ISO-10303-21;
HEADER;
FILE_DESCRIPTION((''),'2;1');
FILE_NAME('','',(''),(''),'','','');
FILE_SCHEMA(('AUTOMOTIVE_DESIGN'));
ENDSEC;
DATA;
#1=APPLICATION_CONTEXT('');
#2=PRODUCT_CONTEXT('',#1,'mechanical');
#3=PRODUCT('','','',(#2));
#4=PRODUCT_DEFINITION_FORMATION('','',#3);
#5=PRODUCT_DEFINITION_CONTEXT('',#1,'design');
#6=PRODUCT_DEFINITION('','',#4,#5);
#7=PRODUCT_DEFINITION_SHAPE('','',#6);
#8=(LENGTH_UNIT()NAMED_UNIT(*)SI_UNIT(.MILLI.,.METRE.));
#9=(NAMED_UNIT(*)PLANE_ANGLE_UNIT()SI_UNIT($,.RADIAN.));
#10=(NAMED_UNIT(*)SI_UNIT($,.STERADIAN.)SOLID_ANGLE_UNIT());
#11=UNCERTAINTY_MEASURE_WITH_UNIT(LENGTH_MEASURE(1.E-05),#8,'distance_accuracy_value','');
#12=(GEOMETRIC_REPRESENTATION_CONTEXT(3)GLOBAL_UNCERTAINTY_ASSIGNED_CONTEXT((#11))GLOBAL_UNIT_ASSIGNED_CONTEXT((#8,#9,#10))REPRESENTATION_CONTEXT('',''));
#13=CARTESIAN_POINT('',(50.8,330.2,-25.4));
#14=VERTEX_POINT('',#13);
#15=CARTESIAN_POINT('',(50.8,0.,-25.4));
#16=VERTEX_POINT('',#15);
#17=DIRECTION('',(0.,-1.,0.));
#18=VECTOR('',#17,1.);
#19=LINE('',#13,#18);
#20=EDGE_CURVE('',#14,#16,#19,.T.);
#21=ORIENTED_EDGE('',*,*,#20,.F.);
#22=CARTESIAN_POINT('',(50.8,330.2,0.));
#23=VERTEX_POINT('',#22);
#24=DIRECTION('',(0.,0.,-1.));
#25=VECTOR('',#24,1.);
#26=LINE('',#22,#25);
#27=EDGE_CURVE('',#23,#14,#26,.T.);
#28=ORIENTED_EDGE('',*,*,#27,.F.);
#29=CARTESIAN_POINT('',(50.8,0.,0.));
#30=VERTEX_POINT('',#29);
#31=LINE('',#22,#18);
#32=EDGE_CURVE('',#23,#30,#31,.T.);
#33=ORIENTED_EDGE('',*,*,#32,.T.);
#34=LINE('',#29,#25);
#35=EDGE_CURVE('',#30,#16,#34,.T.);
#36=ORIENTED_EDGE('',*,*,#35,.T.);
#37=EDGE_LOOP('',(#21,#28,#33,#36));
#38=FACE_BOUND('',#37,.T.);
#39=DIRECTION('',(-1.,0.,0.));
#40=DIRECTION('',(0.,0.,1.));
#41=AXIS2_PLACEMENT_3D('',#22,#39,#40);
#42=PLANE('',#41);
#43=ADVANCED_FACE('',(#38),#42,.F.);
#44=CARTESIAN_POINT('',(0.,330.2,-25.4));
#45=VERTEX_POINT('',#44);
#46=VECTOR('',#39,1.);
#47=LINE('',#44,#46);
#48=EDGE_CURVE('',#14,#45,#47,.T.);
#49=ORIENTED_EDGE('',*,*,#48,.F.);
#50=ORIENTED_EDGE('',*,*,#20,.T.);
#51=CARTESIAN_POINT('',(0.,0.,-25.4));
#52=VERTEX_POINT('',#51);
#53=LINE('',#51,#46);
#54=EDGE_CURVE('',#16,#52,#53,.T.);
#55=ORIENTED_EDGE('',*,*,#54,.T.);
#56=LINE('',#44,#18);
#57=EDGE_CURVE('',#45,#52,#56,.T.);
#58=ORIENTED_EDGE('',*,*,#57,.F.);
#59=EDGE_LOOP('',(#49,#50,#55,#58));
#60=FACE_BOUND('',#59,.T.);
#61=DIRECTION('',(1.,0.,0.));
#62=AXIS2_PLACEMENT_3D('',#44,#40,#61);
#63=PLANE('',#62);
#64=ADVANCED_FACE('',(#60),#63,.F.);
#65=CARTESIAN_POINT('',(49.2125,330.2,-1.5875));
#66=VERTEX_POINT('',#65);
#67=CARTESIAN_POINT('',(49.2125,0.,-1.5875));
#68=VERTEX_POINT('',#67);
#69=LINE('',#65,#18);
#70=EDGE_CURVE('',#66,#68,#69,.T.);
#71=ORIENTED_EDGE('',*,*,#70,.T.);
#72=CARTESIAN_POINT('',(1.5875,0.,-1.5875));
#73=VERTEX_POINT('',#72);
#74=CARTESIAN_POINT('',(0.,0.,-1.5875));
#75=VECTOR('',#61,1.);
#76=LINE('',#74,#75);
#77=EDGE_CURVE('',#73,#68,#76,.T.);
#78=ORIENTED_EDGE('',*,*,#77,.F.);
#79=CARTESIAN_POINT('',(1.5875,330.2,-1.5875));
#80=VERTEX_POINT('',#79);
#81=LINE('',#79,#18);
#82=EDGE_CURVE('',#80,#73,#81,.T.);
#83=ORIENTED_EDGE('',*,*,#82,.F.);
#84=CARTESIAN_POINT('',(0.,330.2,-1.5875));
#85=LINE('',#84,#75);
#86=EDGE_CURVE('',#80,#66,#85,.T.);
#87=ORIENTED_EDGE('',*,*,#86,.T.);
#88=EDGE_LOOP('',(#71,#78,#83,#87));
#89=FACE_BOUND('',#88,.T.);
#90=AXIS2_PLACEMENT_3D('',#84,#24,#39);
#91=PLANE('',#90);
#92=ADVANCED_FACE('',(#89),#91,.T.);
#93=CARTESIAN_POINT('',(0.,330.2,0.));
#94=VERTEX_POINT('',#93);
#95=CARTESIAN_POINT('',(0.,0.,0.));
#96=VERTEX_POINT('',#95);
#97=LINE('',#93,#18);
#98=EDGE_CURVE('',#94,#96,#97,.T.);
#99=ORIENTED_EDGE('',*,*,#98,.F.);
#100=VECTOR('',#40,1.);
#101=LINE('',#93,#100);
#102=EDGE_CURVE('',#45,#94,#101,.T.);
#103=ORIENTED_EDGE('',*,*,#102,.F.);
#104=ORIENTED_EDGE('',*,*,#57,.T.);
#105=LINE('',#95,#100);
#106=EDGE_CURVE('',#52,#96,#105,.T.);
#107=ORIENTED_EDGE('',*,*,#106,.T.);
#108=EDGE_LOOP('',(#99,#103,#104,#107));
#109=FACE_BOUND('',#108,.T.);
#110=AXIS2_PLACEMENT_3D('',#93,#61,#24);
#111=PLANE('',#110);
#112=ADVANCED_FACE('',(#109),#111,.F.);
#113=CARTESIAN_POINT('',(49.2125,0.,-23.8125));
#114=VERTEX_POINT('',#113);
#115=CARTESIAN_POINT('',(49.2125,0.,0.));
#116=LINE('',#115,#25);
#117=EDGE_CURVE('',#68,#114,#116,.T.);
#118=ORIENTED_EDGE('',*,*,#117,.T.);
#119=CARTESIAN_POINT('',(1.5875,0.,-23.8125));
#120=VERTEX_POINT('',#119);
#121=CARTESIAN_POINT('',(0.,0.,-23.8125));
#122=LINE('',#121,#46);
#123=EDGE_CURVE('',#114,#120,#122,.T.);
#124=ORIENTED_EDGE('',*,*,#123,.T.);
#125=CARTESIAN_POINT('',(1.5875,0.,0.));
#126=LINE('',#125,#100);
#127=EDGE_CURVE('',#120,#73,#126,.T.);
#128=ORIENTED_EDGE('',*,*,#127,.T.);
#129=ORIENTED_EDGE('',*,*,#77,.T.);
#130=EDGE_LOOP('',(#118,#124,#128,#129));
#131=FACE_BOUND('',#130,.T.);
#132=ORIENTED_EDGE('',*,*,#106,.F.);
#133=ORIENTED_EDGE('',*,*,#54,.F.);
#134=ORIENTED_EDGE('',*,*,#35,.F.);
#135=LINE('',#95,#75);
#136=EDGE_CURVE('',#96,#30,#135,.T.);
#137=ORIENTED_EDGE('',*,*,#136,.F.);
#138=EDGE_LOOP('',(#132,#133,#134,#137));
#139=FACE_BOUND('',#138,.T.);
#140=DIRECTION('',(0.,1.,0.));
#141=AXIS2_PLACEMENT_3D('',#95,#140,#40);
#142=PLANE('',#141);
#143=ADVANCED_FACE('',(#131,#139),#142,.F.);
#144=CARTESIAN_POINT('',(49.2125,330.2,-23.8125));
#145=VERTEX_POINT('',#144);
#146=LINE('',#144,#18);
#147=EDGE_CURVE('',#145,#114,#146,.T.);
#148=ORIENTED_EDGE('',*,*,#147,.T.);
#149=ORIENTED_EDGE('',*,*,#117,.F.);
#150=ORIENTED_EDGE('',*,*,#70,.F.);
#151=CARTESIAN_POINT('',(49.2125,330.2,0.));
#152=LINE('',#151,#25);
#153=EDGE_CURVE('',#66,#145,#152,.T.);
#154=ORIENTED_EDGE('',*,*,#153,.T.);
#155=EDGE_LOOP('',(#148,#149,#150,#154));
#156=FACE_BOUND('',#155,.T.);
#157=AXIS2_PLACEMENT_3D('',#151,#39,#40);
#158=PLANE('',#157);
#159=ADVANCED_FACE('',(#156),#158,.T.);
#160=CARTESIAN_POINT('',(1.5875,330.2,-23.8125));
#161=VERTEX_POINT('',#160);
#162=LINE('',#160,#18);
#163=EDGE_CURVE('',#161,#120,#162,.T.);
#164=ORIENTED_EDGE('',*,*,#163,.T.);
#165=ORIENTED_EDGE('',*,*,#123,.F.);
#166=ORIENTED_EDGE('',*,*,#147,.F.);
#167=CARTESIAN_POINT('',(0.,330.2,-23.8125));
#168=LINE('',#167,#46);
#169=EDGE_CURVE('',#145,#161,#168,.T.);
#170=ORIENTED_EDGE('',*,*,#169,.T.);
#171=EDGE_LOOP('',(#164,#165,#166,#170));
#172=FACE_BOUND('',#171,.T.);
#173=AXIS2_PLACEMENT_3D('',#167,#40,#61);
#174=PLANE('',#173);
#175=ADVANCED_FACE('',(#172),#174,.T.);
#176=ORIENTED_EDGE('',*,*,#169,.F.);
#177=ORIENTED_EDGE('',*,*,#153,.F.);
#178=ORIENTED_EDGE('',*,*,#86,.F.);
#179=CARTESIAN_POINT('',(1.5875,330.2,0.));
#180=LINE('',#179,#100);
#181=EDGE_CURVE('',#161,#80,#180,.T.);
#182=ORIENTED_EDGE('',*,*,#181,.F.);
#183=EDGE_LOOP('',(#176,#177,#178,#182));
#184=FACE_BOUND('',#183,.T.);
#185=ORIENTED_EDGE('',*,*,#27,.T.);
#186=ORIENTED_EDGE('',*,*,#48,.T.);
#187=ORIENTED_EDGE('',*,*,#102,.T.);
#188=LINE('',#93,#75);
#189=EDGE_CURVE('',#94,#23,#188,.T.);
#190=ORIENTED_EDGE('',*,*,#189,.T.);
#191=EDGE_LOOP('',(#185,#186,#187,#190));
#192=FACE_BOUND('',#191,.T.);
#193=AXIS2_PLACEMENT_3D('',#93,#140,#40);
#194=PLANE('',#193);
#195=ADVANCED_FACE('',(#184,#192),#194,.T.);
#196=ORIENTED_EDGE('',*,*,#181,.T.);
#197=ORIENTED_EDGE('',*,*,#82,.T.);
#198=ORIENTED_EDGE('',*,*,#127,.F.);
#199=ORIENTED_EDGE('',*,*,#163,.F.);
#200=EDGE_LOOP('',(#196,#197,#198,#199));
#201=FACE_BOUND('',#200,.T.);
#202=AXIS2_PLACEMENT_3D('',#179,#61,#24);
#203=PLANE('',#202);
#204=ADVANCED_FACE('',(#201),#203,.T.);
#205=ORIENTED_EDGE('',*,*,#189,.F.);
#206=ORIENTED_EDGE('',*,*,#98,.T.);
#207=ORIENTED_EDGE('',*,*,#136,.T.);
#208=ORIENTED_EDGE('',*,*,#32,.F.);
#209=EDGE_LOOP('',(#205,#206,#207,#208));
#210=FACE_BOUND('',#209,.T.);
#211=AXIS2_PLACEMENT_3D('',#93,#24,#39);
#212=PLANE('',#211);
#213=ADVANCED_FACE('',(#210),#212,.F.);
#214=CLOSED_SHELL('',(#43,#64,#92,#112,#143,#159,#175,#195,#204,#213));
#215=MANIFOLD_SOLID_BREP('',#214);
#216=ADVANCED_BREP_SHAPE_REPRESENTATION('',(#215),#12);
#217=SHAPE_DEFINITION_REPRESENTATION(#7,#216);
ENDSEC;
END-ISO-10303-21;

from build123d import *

# Parameters (mm, degrees)
SKETCH1_W           = 50.8
SKETCH1_H           = 25.4
SKETCH1_W_2         = 47.625
SKETCH1_H_2         = 22.225
EXTRUDE_THIN1_DEPTH = 330.2


with BuildPart() as part:
    # Sketch1 → Extrude-Thin1 (new body)
    with BuildSketch(Plane(origin=(0, 0, 0), x_dir=(1, 0, 0), z_dir=(0, 1, 0))):
        with Locations((25.4, 12.7)):
            Rectangle(SKETCH1_W, SKETCH1_H)
        with Locations((25.4, 12.7)):
            Rectangle(SKETCH1_W_2, SKETCH1_H_2, mode=Mode.SUBTRACT)
    extrude(amount=EXTRUDE_THIN1_DEPTH)


solid = part.part
